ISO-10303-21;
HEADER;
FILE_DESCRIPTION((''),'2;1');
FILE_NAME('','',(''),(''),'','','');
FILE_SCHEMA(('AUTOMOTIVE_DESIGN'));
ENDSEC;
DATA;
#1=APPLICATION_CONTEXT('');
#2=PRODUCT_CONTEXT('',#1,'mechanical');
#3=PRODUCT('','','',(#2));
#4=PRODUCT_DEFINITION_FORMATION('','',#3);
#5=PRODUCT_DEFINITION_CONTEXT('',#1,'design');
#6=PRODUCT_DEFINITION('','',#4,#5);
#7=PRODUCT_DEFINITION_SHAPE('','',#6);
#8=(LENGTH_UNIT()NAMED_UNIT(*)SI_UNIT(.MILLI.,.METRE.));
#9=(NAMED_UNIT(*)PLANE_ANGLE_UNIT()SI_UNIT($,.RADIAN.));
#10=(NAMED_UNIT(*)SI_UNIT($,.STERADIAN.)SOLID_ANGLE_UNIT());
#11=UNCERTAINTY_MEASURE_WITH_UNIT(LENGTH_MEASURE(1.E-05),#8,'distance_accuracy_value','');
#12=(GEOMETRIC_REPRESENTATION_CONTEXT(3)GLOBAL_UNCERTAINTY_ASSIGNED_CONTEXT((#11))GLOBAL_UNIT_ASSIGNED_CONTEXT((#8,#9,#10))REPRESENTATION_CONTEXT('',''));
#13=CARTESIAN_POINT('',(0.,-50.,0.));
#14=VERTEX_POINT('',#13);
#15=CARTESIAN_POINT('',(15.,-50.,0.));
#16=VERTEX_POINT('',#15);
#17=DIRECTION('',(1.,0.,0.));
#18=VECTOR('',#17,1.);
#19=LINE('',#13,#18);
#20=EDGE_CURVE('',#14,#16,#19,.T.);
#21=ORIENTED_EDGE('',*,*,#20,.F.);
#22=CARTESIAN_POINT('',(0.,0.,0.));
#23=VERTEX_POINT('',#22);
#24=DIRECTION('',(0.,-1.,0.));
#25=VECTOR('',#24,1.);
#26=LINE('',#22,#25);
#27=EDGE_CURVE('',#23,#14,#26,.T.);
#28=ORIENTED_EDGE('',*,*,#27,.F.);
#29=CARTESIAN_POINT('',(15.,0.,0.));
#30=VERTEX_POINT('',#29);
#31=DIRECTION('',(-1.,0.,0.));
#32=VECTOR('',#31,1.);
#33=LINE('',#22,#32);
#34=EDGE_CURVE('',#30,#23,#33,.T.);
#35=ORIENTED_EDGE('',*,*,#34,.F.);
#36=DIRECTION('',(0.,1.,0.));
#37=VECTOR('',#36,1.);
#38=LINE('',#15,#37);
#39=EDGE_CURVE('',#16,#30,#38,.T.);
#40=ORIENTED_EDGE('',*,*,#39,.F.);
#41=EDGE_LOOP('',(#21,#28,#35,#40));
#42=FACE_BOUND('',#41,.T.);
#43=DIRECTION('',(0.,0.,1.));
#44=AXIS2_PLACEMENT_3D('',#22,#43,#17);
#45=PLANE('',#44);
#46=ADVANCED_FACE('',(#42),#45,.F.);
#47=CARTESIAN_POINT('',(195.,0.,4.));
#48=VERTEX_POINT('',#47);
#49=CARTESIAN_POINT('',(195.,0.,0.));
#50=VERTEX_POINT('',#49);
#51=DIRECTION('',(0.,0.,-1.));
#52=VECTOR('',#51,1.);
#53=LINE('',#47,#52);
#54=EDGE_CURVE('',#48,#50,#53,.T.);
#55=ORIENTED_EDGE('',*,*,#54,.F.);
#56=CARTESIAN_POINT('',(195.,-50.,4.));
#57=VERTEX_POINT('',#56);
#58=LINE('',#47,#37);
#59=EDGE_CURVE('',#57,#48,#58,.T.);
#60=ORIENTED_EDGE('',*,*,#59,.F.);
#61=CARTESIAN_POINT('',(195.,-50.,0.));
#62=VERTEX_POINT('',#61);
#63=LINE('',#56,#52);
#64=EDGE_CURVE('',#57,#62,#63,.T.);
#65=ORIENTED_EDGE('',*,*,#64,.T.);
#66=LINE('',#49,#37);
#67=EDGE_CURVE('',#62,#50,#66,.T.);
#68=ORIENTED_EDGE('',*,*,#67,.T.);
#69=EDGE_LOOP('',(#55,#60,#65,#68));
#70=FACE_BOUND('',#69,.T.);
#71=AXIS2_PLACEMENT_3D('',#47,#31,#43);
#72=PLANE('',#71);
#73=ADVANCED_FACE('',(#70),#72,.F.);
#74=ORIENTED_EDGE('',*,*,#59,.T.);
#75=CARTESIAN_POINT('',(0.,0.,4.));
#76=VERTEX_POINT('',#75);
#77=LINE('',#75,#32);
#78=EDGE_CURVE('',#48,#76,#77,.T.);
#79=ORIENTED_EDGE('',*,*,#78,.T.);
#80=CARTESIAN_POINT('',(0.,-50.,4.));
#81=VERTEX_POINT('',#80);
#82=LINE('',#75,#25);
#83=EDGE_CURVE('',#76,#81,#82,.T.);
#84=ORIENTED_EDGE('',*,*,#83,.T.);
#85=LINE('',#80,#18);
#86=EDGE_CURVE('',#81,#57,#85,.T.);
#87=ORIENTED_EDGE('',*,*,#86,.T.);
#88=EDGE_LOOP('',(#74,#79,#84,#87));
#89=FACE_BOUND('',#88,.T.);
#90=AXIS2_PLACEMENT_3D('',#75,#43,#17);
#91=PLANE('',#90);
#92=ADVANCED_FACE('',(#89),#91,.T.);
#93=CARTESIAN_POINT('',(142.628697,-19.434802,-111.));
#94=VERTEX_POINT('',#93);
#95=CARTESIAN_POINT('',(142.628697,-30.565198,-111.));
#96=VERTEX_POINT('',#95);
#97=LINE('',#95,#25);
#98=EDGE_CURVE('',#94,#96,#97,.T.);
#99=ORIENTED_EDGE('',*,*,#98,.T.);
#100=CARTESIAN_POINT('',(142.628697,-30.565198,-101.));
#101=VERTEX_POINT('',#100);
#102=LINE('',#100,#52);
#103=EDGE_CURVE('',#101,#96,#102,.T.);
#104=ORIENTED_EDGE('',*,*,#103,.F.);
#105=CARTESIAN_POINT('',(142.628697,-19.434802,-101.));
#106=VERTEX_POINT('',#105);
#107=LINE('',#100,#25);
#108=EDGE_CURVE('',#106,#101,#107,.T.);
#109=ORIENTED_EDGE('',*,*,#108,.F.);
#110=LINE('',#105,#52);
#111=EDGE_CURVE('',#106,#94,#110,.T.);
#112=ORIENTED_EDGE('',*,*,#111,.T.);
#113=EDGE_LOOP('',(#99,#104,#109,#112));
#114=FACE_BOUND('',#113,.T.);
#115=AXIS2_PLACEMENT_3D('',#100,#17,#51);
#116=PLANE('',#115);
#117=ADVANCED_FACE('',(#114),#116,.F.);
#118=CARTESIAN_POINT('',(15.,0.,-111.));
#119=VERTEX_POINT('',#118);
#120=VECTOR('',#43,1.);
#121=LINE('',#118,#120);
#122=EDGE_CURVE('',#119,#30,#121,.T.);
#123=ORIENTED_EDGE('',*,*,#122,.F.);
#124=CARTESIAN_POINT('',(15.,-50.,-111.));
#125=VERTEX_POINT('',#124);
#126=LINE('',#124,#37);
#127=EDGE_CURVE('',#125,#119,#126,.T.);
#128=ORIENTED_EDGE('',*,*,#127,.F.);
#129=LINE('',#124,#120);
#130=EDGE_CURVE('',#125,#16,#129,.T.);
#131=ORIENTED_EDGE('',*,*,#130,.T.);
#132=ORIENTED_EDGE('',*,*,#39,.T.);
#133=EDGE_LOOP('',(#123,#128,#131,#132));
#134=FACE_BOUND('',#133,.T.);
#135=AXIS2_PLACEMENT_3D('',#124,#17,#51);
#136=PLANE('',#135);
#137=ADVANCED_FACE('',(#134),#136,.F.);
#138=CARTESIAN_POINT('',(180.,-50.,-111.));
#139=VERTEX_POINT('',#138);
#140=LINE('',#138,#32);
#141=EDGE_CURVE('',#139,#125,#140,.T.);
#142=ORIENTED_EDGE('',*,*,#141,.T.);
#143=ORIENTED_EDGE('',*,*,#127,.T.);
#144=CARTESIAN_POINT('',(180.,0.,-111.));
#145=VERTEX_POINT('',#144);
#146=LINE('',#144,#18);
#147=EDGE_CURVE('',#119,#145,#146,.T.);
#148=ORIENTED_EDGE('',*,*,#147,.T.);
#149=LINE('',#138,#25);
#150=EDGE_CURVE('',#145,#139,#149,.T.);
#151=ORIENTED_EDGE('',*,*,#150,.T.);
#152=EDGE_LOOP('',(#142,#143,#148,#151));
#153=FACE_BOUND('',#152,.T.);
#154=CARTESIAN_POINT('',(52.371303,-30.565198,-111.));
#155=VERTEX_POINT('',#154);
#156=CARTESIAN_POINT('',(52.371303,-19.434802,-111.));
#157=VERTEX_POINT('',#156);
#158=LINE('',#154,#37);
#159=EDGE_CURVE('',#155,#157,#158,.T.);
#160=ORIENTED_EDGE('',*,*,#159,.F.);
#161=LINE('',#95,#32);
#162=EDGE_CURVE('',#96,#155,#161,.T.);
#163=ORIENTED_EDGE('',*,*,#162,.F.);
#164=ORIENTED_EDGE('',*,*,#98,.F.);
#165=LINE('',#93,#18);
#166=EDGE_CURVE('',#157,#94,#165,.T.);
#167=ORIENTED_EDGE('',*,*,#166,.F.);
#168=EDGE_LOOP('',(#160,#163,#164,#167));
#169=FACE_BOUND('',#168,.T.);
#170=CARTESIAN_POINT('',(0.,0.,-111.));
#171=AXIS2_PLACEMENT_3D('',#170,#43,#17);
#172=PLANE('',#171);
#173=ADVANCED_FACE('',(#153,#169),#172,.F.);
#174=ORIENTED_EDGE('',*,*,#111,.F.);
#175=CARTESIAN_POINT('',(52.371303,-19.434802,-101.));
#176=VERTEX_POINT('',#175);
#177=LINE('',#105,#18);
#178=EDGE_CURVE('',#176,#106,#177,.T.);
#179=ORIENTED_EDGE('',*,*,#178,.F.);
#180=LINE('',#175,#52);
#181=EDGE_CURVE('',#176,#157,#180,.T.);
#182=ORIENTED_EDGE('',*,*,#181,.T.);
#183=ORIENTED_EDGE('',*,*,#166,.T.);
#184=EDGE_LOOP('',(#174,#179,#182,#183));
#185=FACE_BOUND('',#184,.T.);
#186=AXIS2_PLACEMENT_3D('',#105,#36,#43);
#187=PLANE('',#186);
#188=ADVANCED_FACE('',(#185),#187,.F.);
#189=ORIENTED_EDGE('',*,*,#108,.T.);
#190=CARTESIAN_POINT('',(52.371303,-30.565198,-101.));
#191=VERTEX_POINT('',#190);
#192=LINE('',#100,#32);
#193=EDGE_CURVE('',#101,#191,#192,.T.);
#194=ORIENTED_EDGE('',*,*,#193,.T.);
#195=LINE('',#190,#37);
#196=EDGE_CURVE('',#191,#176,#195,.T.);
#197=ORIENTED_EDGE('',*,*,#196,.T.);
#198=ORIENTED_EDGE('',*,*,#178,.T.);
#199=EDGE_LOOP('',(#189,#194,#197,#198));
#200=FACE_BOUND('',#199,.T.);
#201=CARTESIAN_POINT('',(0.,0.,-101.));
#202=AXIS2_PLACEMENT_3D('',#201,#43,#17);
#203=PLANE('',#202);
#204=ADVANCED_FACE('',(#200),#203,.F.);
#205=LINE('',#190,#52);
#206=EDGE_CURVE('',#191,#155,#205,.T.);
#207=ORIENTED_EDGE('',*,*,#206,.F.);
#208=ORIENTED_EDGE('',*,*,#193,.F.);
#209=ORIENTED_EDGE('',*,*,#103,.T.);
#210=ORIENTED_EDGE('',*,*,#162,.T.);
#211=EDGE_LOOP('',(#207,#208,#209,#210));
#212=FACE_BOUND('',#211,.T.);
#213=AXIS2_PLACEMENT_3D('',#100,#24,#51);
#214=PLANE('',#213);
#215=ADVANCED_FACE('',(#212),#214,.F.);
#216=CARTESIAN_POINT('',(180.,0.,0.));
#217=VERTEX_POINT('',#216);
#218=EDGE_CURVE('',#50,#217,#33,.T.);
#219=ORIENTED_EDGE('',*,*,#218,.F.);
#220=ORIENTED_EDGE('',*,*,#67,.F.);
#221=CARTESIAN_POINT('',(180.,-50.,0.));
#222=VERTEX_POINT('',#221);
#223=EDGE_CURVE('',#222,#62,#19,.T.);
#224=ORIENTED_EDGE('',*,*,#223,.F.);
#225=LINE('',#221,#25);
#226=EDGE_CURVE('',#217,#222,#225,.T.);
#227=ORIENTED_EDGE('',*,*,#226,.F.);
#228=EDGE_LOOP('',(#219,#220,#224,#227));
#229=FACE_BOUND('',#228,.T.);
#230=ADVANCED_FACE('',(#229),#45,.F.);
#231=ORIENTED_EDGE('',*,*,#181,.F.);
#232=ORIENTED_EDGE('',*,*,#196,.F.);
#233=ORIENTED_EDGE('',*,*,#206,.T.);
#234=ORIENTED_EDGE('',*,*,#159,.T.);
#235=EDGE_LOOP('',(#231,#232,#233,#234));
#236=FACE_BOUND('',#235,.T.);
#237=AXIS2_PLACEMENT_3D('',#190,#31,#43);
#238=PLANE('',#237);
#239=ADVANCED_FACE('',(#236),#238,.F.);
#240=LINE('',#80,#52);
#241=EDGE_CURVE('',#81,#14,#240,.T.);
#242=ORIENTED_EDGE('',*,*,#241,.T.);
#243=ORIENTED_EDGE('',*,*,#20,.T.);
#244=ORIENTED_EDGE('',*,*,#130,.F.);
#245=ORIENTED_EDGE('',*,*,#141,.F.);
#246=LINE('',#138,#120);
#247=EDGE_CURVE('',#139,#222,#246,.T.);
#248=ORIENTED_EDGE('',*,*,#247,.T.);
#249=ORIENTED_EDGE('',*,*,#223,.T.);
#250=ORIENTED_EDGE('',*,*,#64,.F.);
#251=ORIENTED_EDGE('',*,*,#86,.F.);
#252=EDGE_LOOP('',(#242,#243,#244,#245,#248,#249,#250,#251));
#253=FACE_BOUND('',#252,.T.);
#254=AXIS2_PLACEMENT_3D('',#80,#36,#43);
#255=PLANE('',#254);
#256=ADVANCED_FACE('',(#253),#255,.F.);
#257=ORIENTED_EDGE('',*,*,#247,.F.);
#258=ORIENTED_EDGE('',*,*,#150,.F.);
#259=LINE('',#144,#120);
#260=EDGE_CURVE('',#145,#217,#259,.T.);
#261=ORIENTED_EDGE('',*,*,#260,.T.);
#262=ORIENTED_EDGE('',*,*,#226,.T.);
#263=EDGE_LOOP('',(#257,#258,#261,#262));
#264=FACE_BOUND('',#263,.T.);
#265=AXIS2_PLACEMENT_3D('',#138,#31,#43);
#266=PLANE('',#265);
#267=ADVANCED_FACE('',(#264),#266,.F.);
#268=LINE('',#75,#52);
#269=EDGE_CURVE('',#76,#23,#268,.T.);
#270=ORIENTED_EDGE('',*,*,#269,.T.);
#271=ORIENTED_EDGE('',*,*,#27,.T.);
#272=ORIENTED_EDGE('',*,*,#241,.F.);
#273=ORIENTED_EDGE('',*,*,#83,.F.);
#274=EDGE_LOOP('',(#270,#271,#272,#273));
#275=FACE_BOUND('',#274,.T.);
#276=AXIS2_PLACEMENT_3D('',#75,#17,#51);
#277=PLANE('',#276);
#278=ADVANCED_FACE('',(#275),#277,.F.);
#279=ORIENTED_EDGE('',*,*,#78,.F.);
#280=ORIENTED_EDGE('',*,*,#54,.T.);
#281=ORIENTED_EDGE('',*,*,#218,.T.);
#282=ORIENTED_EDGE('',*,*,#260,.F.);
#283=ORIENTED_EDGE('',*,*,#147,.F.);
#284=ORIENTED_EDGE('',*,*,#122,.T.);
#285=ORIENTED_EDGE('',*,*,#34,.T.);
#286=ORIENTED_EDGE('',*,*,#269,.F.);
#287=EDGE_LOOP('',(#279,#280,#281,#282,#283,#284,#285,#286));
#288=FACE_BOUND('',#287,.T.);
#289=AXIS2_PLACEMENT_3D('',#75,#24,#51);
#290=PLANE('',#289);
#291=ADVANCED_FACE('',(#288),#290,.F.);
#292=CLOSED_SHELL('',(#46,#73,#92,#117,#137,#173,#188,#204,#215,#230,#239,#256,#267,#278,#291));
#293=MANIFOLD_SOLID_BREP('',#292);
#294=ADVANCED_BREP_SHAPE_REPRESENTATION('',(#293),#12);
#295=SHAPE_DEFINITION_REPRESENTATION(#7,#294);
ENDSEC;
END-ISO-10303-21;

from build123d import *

# Parameters (mm, degrees)
CROQUIS1_W              = 195
CROQUIS1_H              = 50
SALIENTE_EXTRUIR1_DEPTH = 4
CROQUIS2_W              = 165
CROQUIS2_H              = 50
SALIENTE_EXTRUIR2_DEPTH = 111
CROQUIS3_W              = 90.257394992
CROQUIS3_H              = 11.130396244
CORTAR_EXTRUIR1_DEPTH   = 10


with BuildPart() as part:
    # Croquis1 → Saliente-Extruir1 (new body)
    with BuildSketch(Plane.XY):
        with Locations((97.5, -25)):
            Rectangle(CROQUIS1_W, CROQUIS1_H)
    extrude(amount=SALIENTE_EXTRUIR1_DEPTH)

    # Croquis2 → Saliente-Extruir2 (add)
    with BuildSketch(Plane(origin=(0, 0, 0), x_dir=(-1, 0, 0), z_dir=(0, 0, -1))):
        with Locations((-97.5, -25)):
            Rectangle(CROQUIS2_W, CROQUIS2_H)
    extrude(amount=SALIENTE_EXTRUIR2_DEPTH)

    # Croquis3 → Cortar-Extruir1 (cut)
    with BuildSketch(Plane(origin=(0, 0, -111), x_dir=(-1, 0, 0), z_dir=(0, 0, -1))):
        with Locations((-97.5, -25)):
            Rectangle(CROQUIS3_W, CROQUIS3_H)
    extrude(amount=-CORTAR_EXTRUIR1_DEPTH, mode=Mode.SUBTRACT)


solid = part.part
